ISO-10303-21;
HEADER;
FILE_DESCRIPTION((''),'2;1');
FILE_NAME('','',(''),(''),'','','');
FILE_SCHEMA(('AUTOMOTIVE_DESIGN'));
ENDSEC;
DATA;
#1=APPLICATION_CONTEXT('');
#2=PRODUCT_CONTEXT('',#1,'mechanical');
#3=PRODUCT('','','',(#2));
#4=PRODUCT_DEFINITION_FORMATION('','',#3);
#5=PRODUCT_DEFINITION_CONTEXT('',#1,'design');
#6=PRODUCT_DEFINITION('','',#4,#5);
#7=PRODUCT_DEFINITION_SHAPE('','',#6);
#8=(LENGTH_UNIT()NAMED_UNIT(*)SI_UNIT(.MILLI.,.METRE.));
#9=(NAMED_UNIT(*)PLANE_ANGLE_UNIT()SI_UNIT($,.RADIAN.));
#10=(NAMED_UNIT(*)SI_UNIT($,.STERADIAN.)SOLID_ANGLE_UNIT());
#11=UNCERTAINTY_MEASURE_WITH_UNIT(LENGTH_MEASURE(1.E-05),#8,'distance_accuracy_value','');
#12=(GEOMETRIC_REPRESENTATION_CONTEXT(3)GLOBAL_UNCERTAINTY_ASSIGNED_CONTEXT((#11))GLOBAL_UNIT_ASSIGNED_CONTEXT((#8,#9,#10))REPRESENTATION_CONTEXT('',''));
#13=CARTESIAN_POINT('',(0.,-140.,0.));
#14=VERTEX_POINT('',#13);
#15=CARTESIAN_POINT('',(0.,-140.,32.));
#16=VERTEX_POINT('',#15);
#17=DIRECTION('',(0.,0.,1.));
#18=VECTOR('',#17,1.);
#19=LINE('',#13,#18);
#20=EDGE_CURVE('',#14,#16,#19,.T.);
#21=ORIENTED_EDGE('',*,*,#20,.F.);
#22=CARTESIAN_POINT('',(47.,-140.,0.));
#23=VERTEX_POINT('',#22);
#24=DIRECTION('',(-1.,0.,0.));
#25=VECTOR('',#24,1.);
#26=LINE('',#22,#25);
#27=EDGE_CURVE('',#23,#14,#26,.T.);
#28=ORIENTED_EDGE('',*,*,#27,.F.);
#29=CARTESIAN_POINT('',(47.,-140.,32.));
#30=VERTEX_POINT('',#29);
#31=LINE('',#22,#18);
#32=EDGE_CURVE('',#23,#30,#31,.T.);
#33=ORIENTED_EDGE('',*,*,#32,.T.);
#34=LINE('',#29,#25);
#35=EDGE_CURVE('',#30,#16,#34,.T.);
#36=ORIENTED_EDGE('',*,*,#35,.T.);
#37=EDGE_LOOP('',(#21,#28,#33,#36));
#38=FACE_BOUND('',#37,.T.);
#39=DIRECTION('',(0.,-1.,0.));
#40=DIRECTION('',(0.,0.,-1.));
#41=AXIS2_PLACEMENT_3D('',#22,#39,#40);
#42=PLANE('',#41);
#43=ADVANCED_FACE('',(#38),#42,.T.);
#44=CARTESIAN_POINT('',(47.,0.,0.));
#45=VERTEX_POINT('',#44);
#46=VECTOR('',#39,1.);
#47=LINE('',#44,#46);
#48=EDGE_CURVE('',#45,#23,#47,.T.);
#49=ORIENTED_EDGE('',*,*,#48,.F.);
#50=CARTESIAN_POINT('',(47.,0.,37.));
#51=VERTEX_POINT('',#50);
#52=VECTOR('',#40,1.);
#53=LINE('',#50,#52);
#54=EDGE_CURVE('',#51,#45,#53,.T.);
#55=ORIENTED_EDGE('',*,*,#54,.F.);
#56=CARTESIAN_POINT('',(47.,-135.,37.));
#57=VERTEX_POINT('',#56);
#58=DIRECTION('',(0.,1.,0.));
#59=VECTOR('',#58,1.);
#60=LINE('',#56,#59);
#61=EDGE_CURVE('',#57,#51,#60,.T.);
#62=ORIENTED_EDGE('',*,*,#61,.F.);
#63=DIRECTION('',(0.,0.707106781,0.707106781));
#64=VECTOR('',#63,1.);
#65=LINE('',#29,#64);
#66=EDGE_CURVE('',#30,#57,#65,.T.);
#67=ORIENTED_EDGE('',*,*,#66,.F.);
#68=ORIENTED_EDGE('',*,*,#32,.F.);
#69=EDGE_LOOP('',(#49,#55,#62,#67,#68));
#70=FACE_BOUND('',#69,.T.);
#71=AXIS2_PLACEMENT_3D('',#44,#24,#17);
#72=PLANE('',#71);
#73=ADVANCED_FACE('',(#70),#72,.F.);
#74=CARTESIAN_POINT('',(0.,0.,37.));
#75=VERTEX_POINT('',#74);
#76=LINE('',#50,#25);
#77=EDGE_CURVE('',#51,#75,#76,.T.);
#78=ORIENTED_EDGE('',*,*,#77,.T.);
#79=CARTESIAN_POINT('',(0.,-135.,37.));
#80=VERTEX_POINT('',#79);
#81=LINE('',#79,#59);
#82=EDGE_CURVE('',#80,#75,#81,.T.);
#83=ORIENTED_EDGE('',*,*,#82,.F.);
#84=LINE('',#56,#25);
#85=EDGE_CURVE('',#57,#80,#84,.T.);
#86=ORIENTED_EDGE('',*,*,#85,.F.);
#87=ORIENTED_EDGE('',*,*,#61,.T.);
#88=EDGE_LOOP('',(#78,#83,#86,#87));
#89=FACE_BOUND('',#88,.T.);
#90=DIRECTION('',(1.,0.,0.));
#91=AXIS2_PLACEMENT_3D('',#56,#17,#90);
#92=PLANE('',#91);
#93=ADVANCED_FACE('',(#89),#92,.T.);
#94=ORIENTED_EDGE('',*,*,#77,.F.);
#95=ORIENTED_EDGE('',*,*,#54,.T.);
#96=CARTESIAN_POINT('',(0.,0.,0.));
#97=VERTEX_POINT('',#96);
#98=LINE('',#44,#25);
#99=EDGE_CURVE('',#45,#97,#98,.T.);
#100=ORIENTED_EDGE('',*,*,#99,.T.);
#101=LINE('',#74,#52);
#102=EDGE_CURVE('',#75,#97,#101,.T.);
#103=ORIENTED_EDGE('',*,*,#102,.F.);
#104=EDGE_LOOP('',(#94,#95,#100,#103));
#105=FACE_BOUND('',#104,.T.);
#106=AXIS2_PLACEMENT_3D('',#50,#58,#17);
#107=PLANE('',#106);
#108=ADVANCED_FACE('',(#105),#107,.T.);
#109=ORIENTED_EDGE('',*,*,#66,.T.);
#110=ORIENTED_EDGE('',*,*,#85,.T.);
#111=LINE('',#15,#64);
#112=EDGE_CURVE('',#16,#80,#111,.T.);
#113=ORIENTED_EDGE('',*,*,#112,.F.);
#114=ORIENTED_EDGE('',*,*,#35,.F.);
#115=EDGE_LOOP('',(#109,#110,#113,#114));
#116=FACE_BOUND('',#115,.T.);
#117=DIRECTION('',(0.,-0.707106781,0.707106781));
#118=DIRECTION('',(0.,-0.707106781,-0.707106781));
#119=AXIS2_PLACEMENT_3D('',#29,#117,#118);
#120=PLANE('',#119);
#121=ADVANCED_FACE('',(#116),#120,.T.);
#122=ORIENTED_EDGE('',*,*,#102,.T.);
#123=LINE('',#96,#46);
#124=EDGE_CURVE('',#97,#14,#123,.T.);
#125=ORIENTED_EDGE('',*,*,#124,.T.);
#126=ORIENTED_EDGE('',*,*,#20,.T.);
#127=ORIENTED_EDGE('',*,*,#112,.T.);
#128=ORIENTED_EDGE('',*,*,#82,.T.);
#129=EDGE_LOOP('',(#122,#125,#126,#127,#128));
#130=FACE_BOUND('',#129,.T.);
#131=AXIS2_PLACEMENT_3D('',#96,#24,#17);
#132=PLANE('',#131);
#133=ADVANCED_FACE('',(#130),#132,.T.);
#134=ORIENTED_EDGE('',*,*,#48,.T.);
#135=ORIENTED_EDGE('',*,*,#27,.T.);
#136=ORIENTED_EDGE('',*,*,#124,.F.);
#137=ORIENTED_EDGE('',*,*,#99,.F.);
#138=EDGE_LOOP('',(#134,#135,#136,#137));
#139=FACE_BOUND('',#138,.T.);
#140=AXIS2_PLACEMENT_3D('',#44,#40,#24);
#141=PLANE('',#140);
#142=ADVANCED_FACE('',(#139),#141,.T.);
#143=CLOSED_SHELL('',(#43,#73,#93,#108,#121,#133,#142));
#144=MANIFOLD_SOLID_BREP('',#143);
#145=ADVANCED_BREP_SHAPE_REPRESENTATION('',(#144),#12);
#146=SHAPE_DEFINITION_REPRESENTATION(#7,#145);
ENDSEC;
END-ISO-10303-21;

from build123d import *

# Parameters (mm, degrees)
BOSS_EXTRUDE1_DEPTH = 47


with BuildPart() as part:
    # Sketch1 → Boss-Extrude1 (new body)
    with BuildSketch(Plane(origin=(0, 0, 0), x_dir=(0, -1, 0), z_dir=(-1, 0, 0))):
        Polygon((140, 0), (140, 32), (135, 37), (0, 37), (0, 0), align=None)
    extrude(amount=-BOSS_EXTRUDE1_DEPTH)


solid = part.part
